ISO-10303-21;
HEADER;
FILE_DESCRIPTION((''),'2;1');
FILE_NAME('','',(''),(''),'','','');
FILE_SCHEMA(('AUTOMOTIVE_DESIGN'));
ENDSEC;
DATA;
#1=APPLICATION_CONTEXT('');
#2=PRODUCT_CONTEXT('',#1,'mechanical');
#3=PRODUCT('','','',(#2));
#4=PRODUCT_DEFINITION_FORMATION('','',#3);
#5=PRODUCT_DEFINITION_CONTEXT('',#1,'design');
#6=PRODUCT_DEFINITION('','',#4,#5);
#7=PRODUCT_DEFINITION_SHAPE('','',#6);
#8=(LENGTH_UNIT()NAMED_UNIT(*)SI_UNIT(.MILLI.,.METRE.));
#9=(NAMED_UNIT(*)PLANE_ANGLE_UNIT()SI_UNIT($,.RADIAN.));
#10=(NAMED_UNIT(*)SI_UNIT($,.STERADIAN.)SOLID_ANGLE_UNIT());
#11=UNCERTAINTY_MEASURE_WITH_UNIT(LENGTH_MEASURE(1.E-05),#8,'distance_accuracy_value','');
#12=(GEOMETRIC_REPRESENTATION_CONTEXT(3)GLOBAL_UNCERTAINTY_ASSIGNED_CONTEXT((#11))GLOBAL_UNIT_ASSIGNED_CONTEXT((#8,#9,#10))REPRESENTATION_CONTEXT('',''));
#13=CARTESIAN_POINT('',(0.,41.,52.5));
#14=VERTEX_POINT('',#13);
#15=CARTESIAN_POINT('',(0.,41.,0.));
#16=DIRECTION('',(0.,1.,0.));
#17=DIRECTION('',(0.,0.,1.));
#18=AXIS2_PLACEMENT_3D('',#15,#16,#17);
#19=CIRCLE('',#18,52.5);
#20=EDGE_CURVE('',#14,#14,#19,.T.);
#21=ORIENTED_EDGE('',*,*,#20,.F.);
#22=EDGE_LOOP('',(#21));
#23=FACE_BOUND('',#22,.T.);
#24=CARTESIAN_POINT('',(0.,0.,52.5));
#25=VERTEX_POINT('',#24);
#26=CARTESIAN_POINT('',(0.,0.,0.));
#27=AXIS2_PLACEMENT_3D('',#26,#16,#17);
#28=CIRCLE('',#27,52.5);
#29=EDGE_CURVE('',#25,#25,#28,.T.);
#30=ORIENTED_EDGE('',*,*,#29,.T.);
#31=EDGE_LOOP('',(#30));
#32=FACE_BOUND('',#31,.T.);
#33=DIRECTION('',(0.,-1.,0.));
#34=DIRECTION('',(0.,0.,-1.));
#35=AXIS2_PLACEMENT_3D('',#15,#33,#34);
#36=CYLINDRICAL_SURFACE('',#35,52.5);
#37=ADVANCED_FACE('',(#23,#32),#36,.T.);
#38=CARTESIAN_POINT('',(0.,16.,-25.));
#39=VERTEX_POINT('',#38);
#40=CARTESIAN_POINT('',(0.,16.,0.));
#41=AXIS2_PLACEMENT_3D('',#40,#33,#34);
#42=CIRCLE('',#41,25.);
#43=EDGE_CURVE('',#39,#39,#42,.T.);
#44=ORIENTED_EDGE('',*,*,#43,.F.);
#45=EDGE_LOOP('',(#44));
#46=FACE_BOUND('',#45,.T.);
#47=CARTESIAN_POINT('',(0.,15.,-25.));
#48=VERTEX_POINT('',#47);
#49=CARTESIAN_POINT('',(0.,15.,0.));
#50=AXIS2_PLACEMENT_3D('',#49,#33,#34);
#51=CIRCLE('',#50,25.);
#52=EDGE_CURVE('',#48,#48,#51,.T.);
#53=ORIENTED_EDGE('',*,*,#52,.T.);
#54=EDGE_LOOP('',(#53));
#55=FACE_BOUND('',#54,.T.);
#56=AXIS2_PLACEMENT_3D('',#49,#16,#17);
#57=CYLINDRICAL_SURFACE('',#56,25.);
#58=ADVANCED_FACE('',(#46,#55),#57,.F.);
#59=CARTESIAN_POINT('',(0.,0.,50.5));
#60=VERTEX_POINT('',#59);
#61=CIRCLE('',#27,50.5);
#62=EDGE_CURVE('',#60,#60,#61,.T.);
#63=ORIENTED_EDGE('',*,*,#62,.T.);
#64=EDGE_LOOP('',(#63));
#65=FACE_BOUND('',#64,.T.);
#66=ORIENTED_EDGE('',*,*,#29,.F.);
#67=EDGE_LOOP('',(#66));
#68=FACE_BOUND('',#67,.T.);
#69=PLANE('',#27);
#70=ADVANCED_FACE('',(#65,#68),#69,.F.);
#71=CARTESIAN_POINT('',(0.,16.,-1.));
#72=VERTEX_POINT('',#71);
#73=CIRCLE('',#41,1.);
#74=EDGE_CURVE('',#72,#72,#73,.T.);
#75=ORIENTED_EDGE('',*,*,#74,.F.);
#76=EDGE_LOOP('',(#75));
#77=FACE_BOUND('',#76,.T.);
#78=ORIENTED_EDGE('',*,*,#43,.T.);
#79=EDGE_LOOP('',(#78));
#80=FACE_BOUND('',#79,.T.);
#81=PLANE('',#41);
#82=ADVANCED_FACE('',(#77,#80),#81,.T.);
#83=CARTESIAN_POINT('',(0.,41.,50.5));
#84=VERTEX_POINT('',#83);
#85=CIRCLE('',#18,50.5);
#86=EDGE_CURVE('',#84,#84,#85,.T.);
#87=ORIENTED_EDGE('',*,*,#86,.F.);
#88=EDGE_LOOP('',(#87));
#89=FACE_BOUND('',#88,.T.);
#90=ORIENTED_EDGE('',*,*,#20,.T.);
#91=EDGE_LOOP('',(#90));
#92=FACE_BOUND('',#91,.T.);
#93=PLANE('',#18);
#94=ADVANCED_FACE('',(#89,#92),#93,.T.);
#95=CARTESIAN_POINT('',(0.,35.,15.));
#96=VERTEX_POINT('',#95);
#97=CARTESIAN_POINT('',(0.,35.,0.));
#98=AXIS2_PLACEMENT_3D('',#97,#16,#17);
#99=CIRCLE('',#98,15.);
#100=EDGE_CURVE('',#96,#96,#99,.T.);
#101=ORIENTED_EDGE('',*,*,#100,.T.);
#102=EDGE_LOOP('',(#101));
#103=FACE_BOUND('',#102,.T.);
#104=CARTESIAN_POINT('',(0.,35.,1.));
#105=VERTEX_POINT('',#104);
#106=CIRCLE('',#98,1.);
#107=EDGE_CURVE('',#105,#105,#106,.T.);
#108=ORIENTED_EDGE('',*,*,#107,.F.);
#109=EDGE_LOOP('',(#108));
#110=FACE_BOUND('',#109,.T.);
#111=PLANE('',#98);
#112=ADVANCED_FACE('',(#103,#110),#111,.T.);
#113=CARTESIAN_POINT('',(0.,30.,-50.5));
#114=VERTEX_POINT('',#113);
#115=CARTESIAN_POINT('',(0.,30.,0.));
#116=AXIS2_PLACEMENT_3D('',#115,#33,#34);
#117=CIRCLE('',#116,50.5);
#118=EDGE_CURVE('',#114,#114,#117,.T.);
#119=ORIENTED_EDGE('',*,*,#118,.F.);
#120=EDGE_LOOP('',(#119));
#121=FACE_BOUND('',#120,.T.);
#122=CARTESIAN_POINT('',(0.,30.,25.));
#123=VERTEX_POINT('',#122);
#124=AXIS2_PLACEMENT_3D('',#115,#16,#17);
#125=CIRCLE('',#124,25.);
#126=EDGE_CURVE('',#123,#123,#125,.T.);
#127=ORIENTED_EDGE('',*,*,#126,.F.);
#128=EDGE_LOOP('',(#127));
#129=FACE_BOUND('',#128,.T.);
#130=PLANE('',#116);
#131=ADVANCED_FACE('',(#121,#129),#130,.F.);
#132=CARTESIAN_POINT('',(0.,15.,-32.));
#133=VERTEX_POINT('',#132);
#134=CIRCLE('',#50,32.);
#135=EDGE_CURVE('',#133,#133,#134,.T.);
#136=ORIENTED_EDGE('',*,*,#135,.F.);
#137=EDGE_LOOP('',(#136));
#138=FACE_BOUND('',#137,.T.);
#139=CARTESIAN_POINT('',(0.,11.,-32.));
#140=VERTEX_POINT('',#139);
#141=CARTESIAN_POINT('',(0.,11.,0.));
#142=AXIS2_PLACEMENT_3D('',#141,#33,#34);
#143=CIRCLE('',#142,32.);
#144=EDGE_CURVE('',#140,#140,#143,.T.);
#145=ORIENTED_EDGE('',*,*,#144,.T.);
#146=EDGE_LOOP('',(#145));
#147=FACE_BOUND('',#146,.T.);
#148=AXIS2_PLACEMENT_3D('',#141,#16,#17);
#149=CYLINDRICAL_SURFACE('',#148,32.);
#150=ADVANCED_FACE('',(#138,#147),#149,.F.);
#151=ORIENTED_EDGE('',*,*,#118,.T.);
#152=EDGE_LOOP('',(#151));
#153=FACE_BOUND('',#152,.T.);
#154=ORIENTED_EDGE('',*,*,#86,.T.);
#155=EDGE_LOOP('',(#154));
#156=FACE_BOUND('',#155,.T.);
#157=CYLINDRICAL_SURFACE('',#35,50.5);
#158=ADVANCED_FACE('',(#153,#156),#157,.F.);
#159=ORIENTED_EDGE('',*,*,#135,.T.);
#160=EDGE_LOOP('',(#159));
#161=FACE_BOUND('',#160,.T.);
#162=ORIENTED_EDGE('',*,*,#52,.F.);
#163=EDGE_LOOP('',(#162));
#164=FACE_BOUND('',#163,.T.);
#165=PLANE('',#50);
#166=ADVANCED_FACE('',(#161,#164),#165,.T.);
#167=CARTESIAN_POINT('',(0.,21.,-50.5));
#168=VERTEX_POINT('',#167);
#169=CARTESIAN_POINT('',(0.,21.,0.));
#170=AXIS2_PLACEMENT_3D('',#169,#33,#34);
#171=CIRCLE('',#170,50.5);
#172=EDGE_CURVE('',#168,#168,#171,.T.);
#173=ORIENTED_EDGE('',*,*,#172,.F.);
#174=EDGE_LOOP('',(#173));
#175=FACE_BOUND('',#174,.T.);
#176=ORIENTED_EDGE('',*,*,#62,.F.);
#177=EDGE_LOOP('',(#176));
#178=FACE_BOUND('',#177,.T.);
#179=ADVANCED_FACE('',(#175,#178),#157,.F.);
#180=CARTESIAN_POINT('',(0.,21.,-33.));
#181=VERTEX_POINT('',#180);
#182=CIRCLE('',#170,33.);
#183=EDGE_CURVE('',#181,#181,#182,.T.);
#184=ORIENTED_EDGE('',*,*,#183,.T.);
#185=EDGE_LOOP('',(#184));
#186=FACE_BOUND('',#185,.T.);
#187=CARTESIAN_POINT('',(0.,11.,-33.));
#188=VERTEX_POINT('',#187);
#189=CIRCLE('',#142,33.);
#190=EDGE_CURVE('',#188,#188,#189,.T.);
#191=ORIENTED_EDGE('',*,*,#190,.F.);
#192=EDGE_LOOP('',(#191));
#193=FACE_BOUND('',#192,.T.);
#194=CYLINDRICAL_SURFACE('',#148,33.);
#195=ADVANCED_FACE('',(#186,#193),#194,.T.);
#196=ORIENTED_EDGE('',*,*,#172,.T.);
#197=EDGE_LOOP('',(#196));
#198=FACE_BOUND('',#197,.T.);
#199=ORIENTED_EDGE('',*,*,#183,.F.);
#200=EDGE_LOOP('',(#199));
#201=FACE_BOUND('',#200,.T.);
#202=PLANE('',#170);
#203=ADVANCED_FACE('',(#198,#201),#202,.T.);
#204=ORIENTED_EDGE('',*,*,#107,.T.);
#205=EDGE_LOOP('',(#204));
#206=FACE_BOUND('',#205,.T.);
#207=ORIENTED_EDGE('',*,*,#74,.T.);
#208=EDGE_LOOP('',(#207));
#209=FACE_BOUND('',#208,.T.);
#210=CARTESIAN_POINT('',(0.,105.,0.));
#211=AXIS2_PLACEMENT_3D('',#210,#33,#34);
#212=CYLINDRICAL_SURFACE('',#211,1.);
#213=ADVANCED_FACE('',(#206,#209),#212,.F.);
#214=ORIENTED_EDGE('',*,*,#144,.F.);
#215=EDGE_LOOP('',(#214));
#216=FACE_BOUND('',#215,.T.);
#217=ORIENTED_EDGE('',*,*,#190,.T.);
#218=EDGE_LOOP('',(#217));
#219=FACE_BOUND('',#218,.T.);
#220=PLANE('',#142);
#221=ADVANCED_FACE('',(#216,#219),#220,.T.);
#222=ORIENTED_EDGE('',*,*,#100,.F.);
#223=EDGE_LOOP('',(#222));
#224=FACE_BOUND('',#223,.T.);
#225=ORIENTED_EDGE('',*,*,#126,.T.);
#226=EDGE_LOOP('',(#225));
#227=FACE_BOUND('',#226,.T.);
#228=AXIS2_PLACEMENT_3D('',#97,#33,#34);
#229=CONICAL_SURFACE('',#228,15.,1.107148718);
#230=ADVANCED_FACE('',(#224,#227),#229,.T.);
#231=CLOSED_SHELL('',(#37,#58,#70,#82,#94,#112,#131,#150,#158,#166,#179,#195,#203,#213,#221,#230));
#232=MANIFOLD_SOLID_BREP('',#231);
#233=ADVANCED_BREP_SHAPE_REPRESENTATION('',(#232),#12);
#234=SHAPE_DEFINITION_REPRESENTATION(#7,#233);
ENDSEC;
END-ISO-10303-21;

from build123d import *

# Parameters (mm, degrees)
SKETCH1_R                          = 52.5
SKETCH1_R_2                        = 50.5
MAIN_BLADE_CASE_EXTRUDE_DEPTH      = 41
SKETCH2_R                          = 50.5
EXTRUDE_FOR_GOBLET_TO_SIT_ON_DEPTH = 9
SKETCH5_R                          = 15
SKETCH4_R                          = 25
SKETCH8_R                          = 33
SKETCH8_R_2                        = 32
MAIN_LOWER_EXTRUDE_DEPTH           = 10
SKETCH9_R                          = 32
SKETCH9_R_2                        = 25
SECOND_LOWER_EXTRUDE_DEPTH         = 6
SKETCH12_R                         = 25
THIRD_LOWER_EXTRUDE_DEPTH          = 5
SKETCH13_R                         = 1
HOLE_FOR_SCREW_BLADE_CASING_DEPTH  = 89


with BuildPart() as part:
    # Sketch1 → Main Blade Case Extrude (new body)
    with BuildSketch(Plane(origin=(0, 0, 0), x_dir=(1, 0, 0), z_dir=(0, 1, 0))):
        with Locations(Location((0, 0, 0), (0, 0, 270))):
            Circle(SKETCH1_R)
        with Locations(Location((0, 0, 0), (0, 0, 270))):
            Circle(SKETCH1_R_2, mode=Mode.SUBTRACT)
    extrude(amount=MAIN_BLADE_CASE_EXTRUDE_DEPTH)

    # Sketch2 → Extrude for Goblet to Sit On (add)
    with BuildSketch(Plane(origin=(0, 21, 0), x_dir=(-1, 0, 0), z_dir=(0, -1, 0))):
        with Locations(Location((0, 0, 0), (0, 0, 90))):
            Circle(SKETCH2_R)
    extrude(amount=-EXTRUDE_FOR_GOBLET_TO_SIT_ON_DEPTH)

    # Sketch5 → Rounded Middle Section section 0
    with BuildSketch(Plane(origin=(0, 35, 0), x_dir=(1, 0, 0), z_dir=(0, 1, 0))):
        Circle(SKETCH5_R)
    # Sketch4 → Rounded Middle Section section 1
    with BuildSketch(Plane(origin=(0, 30, 0), x_dir=(1, 0, 0), z_dir=(0, 1, 0))):
        Circle(SKETCH4_R)
    loft()

    # Sketch8 → Main Lower Extrude (add)
    with BuildSketch(Plane.XZ.offset(-21)):
        with Locations(Location((0, 0, 0), (0, 0, 270))):
            Circle(SKETCH8_R)
        with Locations(Location((0, 0, 0), (0, 0, 270))):
            Circle(SKETCH8_R_2, mode=Mode.SUBTRACT)
    extrude(amount=MAIN_LOWER_EXTRUDE_DEPTH)

    # Sketch9 → Second Lower Extrude (add)
    with BuildSketch(Plane.XZ.offset(-21)):
        with Locations(Location((0, 0, 0), (0, 0, 270))):
            Circle(SKETCH9_R)
        with Locations(Location((0, 0, 0), (0, 0, 270))):
            Circle(SKETCH9_R_2, mode=Mode.SUBTRACT)
    extrude(amount=SECOND_LOWER_EXTRUDE_DEPTH)

    # Sketch12 → Third Lower Extrude (add)
    with BuildSketch(Plane(origin=(0, 21, 0), x_dir=(-1, 0, 0), z_dir=(0, -1, 0))):
        with Locations(Location((0, 0, 0), (0, 0, 90))):
            Circle(SKETCH12_R)
    extrude(amount=THIRD_LOWER_EXTRUDE_DEPTH)

    # Sketch13 → Hole for Screw (Blade Casing) (cut)
    with BuildSketch(Plane.XZ.offset(-16)):
        with Locations(Location((0, 0, 0), (0, 0, 270))):
            Circle(SKETCH13_R)
    extrude(amount=-HOLE_FOR_SCREW_BLADE_CASING_DEPTH, mode=Mode.SUBTRACT)


solid = part.part
